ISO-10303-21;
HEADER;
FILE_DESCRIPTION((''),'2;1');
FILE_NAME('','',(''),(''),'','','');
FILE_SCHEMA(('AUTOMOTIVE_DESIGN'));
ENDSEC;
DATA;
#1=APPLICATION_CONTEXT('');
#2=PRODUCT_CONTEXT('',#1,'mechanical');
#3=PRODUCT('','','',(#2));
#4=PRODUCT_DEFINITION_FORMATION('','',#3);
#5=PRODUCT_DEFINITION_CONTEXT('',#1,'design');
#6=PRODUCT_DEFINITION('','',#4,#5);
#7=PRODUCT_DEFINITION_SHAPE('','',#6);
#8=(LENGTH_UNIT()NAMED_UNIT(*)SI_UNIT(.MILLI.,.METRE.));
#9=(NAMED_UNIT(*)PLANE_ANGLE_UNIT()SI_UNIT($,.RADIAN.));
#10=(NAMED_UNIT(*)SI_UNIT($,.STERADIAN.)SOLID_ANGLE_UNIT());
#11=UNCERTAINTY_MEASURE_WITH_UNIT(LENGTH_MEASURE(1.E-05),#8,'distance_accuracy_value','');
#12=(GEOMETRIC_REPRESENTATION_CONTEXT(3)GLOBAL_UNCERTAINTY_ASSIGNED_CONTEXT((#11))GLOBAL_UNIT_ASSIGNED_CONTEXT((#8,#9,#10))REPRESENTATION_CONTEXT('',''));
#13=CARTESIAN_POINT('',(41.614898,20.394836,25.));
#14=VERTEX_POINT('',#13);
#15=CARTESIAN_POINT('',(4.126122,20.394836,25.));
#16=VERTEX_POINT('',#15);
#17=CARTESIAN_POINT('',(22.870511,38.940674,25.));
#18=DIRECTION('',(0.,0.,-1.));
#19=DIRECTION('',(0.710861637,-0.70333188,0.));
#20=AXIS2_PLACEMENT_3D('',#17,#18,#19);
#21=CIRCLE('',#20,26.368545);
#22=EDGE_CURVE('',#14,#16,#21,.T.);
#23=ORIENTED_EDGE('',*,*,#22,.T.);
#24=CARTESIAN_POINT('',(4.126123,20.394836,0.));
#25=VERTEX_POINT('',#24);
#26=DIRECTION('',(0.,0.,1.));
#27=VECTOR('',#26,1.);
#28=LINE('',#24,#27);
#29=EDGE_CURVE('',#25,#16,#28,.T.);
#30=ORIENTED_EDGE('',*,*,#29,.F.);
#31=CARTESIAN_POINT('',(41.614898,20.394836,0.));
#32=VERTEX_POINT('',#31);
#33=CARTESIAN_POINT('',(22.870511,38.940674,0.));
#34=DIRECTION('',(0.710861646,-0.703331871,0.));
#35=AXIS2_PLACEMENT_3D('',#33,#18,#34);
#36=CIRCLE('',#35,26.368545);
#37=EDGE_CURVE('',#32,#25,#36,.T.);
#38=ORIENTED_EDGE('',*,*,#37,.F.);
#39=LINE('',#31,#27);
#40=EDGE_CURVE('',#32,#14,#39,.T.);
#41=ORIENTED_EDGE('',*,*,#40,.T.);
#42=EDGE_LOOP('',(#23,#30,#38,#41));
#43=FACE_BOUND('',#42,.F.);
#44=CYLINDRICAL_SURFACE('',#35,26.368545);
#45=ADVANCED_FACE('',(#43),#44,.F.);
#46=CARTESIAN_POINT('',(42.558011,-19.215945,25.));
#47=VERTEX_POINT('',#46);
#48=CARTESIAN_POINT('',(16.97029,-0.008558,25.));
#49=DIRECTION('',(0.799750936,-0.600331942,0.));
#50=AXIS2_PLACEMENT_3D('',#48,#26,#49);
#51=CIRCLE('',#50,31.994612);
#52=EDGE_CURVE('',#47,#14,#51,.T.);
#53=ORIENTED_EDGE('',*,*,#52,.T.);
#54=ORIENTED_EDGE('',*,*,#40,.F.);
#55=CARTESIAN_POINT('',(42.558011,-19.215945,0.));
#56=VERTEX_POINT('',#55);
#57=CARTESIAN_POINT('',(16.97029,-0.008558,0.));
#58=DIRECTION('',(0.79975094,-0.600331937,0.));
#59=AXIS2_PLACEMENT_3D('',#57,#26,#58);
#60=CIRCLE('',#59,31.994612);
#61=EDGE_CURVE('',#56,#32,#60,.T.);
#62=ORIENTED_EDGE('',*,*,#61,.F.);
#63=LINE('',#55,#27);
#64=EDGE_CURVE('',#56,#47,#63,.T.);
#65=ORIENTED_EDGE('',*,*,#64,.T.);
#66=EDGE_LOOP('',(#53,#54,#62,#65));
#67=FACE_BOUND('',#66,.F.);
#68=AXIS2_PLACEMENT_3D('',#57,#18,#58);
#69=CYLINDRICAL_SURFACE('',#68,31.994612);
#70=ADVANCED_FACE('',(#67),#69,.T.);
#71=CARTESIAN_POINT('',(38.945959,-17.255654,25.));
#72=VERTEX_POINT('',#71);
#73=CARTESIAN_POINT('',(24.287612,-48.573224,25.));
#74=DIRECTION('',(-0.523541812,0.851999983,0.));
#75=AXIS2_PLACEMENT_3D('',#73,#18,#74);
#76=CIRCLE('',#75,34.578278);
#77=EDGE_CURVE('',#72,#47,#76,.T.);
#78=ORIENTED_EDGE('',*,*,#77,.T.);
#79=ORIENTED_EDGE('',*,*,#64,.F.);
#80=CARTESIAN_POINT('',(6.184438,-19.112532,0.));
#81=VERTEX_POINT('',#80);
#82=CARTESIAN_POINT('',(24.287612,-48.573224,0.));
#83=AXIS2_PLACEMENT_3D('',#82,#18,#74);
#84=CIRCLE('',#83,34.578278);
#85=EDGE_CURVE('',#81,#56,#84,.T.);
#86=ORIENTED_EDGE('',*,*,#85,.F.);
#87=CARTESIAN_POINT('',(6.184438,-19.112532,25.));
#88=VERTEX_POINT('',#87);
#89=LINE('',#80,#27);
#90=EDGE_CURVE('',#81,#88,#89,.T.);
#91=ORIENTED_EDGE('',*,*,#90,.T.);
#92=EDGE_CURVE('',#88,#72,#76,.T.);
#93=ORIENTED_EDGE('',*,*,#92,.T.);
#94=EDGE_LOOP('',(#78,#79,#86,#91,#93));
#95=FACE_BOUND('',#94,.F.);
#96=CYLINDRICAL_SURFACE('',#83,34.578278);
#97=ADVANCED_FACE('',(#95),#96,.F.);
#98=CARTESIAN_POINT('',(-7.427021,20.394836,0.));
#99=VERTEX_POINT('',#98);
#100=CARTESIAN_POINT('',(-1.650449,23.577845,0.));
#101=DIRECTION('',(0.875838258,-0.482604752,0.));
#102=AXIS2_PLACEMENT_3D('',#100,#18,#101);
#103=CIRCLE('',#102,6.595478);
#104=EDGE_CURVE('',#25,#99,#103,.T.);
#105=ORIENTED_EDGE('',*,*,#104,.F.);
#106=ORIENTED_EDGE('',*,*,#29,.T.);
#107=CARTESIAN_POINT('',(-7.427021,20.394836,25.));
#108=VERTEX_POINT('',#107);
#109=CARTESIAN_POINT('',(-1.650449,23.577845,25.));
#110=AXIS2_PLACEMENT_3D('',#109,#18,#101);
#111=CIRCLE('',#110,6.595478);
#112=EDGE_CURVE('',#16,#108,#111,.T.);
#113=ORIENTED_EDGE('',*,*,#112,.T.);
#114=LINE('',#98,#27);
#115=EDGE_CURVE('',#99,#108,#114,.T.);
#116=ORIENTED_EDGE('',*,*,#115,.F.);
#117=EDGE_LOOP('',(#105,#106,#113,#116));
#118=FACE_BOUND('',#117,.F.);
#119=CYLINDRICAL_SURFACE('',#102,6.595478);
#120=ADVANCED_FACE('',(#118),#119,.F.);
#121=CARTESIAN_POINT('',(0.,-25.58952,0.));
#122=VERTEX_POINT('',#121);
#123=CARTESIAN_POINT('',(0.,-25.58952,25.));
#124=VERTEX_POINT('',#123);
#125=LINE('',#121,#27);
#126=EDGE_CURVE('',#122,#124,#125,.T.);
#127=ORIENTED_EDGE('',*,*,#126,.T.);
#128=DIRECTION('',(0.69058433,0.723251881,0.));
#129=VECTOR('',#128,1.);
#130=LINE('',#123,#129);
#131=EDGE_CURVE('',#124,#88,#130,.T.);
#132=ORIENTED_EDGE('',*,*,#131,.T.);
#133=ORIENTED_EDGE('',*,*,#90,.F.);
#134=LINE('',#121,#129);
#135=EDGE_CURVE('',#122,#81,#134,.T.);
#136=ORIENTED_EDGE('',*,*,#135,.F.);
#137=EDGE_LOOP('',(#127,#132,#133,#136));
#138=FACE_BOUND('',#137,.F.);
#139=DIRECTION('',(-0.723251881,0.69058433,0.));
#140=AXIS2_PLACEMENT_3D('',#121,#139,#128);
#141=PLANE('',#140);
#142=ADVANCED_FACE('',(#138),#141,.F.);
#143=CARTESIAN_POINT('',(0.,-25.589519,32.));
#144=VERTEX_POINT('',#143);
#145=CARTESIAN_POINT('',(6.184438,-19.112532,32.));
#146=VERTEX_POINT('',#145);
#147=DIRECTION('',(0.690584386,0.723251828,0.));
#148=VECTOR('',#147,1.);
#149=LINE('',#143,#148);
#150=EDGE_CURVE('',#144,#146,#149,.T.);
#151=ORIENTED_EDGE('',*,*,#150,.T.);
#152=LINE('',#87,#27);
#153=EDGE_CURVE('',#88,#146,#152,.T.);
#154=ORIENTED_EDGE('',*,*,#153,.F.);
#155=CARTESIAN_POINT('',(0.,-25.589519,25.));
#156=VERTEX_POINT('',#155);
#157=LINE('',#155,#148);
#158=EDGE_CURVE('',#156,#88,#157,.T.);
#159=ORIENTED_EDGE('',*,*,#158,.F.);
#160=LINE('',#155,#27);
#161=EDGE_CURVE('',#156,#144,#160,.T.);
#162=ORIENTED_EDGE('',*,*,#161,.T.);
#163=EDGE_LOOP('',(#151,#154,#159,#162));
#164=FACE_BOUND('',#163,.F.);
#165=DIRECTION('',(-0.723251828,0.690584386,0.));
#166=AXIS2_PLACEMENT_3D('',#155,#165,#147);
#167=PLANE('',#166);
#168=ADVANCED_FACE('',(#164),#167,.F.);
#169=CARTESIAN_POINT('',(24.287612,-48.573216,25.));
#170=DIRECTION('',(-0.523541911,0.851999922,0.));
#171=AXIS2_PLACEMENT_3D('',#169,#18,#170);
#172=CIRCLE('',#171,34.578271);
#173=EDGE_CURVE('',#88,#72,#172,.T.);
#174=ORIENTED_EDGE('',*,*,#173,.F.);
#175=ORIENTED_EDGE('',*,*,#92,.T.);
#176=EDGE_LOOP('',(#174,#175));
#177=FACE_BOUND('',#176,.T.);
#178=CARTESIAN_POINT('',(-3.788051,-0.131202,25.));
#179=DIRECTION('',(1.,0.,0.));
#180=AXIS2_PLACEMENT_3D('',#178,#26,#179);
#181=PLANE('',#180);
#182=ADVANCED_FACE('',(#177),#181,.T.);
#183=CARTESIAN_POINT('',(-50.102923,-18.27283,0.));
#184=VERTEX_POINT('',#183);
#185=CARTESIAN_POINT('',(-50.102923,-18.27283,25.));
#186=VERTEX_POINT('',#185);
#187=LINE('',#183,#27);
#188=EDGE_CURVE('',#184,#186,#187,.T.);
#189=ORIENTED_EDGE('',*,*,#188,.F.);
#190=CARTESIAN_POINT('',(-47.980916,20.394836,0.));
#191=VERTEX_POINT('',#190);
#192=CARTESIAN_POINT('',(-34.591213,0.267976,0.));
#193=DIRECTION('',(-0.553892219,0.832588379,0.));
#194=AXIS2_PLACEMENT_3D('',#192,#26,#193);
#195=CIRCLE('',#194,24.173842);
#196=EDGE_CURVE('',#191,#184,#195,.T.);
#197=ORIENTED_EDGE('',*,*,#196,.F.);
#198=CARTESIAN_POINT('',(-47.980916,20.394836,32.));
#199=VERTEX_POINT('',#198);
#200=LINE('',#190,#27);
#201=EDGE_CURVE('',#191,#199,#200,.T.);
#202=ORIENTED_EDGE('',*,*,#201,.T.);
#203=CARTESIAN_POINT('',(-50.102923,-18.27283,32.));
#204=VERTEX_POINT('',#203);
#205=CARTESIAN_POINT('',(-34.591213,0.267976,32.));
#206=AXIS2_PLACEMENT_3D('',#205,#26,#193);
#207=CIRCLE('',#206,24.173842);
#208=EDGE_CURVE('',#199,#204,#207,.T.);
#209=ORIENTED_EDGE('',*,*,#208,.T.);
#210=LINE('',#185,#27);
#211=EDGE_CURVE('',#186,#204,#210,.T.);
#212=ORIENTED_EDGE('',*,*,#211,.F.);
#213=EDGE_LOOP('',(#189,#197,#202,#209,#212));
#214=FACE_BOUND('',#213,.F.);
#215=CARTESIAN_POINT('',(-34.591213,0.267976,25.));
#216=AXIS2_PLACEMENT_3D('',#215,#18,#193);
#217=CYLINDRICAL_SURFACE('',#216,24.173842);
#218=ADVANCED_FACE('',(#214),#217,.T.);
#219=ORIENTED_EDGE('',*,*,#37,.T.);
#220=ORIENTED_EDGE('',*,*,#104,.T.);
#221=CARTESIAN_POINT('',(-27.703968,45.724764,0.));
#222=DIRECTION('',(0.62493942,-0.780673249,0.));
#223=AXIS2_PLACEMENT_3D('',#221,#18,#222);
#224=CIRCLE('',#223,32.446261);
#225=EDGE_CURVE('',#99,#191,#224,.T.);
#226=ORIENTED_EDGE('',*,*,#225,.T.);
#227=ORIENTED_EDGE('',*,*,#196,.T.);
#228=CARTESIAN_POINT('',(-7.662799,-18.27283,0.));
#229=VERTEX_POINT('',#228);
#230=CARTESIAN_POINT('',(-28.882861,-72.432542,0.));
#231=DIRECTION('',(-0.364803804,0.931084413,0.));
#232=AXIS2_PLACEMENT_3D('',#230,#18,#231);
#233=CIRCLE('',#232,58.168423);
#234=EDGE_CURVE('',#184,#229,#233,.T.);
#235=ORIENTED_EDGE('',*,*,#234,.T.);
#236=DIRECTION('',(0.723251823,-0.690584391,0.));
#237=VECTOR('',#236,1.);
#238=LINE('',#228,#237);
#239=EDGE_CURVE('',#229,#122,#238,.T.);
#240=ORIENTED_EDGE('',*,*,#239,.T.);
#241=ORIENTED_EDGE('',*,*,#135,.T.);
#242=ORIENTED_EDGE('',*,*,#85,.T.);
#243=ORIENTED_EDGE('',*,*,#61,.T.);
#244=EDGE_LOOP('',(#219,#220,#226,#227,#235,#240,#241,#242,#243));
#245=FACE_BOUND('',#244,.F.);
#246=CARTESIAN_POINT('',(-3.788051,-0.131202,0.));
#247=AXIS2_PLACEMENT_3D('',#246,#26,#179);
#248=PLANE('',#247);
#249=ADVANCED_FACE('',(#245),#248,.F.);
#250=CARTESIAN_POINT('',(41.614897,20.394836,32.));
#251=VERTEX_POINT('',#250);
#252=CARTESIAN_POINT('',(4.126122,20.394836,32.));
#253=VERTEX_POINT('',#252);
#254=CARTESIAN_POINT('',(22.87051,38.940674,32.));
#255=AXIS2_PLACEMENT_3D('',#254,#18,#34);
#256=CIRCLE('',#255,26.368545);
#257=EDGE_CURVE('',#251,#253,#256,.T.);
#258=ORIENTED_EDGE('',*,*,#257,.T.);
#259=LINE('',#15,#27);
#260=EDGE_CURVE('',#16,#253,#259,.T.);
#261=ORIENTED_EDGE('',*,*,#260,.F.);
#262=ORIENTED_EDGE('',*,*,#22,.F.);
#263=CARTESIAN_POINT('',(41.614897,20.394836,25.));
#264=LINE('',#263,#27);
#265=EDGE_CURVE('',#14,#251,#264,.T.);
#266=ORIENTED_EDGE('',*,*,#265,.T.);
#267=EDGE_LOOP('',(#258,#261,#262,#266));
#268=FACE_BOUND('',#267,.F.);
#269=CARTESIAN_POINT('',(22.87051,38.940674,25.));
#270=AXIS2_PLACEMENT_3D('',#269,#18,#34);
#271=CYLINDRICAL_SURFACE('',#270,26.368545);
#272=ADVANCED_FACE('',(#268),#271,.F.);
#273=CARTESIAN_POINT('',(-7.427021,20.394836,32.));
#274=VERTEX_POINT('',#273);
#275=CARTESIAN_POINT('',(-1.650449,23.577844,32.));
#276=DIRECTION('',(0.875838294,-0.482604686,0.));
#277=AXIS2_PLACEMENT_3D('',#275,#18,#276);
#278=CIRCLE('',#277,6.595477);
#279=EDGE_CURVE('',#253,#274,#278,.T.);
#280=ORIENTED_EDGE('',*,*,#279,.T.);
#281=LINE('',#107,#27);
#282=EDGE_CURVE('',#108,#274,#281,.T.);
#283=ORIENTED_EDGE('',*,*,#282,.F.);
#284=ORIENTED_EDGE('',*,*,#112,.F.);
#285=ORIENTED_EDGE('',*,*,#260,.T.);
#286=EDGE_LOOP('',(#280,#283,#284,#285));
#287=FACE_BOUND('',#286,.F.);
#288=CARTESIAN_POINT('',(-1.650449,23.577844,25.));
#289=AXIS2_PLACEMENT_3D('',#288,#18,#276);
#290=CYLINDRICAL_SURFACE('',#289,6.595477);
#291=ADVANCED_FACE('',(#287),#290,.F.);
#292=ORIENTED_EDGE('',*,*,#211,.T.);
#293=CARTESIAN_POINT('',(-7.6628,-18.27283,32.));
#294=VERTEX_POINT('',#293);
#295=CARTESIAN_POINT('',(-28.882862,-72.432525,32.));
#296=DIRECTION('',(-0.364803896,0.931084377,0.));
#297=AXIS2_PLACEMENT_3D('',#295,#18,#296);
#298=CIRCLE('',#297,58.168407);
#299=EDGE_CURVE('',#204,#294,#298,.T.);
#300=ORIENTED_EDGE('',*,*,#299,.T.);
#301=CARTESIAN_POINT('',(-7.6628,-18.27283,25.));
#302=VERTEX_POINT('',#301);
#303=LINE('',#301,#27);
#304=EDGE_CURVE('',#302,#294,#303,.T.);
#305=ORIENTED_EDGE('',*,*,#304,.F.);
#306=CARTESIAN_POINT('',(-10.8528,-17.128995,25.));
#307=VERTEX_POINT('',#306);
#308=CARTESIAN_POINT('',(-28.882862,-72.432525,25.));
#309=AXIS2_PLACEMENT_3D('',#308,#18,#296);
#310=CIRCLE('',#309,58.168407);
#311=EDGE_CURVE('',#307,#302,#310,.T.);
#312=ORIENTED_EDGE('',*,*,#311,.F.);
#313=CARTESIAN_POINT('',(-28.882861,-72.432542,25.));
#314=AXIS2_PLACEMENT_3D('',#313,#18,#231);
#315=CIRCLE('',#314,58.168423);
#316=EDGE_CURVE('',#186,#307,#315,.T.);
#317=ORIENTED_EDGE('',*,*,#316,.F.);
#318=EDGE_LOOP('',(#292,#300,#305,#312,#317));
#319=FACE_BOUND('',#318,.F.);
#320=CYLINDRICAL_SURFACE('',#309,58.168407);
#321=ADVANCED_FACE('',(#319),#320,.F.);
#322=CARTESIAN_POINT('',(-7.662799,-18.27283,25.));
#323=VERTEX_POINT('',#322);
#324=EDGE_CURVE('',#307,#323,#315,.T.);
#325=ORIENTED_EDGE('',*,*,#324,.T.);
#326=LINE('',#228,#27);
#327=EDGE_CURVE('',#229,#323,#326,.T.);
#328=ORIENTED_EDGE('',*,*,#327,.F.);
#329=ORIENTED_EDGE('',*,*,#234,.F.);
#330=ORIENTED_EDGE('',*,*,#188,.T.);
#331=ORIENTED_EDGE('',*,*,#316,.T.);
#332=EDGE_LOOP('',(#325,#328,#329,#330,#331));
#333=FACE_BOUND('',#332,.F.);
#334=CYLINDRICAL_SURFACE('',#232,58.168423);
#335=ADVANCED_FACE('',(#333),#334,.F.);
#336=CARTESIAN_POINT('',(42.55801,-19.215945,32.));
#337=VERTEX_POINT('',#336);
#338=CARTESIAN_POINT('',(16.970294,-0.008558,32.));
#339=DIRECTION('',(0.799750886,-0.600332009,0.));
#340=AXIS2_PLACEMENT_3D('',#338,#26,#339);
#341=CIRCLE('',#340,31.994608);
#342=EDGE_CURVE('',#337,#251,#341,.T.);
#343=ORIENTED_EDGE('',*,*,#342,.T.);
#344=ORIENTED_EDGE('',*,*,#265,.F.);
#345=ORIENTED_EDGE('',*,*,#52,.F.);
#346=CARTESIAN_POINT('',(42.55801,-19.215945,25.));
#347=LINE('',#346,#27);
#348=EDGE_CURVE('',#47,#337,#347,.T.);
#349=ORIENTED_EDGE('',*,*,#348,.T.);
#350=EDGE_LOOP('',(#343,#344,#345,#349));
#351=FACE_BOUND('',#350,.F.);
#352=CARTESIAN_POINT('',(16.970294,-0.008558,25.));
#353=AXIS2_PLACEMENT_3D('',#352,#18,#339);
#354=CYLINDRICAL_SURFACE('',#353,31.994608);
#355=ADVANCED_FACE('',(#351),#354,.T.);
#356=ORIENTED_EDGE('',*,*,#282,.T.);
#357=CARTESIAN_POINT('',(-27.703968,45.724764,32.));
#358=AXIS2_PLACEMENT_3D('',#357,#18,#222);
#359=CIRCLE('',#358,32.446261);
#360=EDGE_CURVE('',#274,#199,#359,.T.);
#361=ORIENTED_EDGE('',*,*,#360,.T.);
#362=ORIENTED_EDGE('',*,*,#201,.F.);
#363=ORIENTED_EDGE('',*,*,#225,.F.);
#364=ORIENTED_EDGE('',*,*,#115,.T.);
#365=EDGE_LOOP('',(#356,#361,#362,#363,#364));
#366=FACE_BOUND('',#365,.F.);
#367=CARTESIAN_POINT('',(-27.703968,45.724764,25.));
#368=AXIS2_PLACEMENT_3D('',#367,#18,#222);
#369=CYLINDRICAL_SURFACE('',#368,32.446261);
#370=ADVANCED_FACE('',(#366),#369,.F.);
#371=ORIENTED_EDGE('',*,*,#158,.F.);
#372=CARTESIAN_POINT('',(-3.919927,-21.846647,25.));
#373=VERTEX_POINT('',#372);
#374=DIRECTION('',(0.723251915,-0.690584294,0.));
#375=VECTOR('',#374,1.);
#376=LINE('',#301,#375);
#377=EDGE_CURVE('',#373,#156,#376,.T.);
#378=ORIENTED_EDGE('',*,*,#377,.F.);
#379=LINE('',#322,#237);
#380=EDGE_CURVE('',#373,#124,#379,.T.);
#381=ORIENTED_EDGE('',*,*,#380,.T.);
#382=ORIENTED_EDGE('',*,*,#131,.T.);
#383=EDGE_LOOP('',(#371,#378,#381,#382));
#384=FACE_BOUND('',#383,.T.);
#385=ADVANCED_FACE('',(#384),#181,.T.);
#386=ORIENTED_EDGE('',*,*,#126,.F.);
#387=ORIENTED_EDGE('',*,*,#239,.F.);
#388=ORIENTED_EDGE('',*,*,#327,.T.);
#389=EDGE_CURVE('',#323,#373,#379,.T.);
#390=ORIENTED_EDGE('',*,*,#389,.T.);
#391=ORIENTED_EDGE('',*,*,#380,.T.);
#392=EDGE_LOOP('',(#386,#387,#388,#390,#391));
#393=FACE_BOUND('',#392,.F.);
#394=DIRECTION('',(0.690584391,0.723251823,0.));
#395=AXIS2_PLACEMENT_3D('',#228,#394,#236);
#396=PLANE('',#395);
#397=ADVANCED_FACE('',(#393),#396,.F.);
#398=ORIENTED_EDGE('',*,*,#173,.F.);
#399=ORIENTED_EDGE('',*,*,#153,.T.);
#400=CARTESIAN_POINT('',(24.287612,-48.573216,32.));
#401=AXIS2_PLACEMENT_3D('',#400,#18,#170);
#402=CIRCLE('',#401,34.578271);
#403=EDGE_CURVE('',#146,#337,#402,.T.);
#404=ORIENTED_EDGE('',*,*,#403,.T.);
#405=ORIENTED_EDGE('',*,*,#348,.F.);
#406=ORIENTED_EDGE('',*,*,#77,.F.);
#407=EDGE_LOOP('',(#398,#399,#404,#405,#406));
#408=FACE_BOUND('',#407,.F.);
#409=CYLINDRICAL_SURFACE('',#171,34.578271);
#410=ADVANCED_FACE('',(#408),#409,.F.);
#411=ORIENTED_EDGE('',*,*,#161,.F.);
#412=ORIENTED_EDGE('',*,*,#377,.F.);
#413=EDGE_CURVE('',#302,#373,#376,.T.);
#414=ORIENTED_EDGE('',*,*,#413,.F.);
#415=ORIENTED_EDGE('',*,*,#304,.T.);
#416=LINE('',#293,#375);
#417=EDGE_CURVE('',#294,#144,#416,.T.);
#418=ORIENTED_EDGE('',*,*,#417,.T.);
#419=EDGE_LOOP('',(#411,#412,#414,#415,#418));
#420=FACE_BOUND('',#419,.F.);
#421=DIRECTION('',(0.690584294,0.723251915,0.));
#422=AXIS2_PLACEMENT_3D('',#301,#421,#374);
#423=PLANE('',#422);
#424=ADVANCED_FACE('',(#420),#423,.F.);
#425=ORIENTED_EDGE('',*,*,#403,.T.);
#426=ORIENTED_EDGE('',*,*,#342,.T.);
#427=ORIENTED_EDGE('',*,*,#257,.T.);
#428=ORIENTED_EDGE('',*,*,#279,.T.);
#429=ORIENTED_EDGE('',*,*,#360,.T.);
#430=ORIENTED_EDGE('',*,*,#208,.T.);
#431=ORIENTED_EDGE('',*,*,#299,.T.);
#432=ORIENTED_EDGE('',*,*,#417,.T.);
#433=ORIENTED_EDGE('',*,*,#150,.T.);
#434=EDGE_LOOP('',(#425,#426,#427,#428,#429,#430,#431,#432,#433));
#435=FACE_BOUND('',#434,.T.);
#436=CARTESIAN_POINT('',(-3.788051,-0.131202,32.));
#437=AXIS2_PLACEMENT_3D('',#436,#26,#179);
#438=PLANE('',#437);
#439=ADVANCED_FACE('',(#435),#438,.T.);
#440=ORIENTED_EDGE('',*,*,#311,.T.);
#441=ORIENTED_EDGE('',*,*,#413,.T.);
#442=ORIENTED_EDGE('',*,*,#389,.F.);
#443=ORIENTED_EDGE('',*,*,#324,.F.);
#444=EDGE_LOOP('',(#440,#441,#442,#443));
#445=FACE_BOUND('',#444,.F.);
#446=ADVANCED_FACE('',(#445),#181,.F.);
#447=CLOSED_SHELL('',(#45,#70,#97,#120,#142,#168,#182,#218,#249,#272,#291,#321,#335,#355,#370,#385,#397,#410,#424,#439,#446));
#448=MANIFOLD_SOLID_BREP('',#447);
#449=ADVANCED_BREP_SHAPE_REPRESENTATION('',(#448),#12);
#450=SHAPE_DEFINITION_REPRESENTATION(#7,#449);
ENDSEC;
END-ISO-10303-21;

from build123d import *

# Parameters (mm, degrees)
F1_DEPTH = 25
F2_DEPTH = 7


with BuildPart() as f1:
    # F0 (on Top) → F1 (new body)
    with BuildSketch(Plane.XY):
        with BuildLine():
            ThreePointArc((6.184438, -19.112532), (24.385921, -13.995086), (42.558011, -19.215945))
            ThreePointArc((42.558011, -19.215945), (48.955837, 0.753002), (41.614898, 20.394836))
            ThreePointArc((41.614898, 20.394836), (22.87051, 12.572129), (4.126123, 20.394836))
            ThreePointArc((4.126123, 20.394836), (-1.650449, 16.982367), (-7.427021, 20.394836))
            ThreePointArc((-7.427021, 20.394836), (-27.703968, 13.278503), (-47.980916, 20.394836))
            ThreePointArc((-47.980916, 20.394836), (-58.728736, 1.592597), (-50.102923, -18.27283))
            ThreePointArc((-50.102923, -18.27283), (-28.882861, -14.264119), (-7.662799, -18.27283))
            Line((-7.662799, -18.27283), (0, -25.58952))
            Line((0, -25.58952), (6.184438, -19.112532))
        make_face()
    extrude(amount=F1_DEPTH)

    # F1_face (on face) → F2 (join)
    with BuildSketch(Plane(origin=(-4.720832, -0.378182, 25), x_dir=(1, 0, 0), z_dir=(0, 0, 1))):
        with BuildLine():
            ThreePointArc((10.90527, -18.73435), (29.106752, -13.616903), (47.278842, -18.837763))
            ThreePointArc((47.278842, -18.837763), (53.676669, 1.131184), (46.335729, 20.773018))
            ThreePointArc((46.335729, 20.773018), (27.591342, 12.950311), (8.846954, 20.773018))
            ThreePointArc((8.846954, 20.773018), (3.070383, 17.360549), (-2.706189, 20.773018))
            ThreePointArc((-2.706189, 20.773018), (-22.983137, 13.656685), (-43.260084, 20.773018))
            ThreePointArc((-43.260084, 20.773018), (-54.007904, 1.970779), (-45.382091, -17.894648))
            ThreePointArc((-45.382091, -17.894648), (-24.162029, -13.885936), (-2.941968, -17.894648))
            Line((-2.941968, -17.894648), (4.720832, -25.211337))
            Line((4.720832, -25.211337), (10.90527, -18.73435))
        make_face()
    extrude(amount=F2_DEPTH)


solid = f1.part
